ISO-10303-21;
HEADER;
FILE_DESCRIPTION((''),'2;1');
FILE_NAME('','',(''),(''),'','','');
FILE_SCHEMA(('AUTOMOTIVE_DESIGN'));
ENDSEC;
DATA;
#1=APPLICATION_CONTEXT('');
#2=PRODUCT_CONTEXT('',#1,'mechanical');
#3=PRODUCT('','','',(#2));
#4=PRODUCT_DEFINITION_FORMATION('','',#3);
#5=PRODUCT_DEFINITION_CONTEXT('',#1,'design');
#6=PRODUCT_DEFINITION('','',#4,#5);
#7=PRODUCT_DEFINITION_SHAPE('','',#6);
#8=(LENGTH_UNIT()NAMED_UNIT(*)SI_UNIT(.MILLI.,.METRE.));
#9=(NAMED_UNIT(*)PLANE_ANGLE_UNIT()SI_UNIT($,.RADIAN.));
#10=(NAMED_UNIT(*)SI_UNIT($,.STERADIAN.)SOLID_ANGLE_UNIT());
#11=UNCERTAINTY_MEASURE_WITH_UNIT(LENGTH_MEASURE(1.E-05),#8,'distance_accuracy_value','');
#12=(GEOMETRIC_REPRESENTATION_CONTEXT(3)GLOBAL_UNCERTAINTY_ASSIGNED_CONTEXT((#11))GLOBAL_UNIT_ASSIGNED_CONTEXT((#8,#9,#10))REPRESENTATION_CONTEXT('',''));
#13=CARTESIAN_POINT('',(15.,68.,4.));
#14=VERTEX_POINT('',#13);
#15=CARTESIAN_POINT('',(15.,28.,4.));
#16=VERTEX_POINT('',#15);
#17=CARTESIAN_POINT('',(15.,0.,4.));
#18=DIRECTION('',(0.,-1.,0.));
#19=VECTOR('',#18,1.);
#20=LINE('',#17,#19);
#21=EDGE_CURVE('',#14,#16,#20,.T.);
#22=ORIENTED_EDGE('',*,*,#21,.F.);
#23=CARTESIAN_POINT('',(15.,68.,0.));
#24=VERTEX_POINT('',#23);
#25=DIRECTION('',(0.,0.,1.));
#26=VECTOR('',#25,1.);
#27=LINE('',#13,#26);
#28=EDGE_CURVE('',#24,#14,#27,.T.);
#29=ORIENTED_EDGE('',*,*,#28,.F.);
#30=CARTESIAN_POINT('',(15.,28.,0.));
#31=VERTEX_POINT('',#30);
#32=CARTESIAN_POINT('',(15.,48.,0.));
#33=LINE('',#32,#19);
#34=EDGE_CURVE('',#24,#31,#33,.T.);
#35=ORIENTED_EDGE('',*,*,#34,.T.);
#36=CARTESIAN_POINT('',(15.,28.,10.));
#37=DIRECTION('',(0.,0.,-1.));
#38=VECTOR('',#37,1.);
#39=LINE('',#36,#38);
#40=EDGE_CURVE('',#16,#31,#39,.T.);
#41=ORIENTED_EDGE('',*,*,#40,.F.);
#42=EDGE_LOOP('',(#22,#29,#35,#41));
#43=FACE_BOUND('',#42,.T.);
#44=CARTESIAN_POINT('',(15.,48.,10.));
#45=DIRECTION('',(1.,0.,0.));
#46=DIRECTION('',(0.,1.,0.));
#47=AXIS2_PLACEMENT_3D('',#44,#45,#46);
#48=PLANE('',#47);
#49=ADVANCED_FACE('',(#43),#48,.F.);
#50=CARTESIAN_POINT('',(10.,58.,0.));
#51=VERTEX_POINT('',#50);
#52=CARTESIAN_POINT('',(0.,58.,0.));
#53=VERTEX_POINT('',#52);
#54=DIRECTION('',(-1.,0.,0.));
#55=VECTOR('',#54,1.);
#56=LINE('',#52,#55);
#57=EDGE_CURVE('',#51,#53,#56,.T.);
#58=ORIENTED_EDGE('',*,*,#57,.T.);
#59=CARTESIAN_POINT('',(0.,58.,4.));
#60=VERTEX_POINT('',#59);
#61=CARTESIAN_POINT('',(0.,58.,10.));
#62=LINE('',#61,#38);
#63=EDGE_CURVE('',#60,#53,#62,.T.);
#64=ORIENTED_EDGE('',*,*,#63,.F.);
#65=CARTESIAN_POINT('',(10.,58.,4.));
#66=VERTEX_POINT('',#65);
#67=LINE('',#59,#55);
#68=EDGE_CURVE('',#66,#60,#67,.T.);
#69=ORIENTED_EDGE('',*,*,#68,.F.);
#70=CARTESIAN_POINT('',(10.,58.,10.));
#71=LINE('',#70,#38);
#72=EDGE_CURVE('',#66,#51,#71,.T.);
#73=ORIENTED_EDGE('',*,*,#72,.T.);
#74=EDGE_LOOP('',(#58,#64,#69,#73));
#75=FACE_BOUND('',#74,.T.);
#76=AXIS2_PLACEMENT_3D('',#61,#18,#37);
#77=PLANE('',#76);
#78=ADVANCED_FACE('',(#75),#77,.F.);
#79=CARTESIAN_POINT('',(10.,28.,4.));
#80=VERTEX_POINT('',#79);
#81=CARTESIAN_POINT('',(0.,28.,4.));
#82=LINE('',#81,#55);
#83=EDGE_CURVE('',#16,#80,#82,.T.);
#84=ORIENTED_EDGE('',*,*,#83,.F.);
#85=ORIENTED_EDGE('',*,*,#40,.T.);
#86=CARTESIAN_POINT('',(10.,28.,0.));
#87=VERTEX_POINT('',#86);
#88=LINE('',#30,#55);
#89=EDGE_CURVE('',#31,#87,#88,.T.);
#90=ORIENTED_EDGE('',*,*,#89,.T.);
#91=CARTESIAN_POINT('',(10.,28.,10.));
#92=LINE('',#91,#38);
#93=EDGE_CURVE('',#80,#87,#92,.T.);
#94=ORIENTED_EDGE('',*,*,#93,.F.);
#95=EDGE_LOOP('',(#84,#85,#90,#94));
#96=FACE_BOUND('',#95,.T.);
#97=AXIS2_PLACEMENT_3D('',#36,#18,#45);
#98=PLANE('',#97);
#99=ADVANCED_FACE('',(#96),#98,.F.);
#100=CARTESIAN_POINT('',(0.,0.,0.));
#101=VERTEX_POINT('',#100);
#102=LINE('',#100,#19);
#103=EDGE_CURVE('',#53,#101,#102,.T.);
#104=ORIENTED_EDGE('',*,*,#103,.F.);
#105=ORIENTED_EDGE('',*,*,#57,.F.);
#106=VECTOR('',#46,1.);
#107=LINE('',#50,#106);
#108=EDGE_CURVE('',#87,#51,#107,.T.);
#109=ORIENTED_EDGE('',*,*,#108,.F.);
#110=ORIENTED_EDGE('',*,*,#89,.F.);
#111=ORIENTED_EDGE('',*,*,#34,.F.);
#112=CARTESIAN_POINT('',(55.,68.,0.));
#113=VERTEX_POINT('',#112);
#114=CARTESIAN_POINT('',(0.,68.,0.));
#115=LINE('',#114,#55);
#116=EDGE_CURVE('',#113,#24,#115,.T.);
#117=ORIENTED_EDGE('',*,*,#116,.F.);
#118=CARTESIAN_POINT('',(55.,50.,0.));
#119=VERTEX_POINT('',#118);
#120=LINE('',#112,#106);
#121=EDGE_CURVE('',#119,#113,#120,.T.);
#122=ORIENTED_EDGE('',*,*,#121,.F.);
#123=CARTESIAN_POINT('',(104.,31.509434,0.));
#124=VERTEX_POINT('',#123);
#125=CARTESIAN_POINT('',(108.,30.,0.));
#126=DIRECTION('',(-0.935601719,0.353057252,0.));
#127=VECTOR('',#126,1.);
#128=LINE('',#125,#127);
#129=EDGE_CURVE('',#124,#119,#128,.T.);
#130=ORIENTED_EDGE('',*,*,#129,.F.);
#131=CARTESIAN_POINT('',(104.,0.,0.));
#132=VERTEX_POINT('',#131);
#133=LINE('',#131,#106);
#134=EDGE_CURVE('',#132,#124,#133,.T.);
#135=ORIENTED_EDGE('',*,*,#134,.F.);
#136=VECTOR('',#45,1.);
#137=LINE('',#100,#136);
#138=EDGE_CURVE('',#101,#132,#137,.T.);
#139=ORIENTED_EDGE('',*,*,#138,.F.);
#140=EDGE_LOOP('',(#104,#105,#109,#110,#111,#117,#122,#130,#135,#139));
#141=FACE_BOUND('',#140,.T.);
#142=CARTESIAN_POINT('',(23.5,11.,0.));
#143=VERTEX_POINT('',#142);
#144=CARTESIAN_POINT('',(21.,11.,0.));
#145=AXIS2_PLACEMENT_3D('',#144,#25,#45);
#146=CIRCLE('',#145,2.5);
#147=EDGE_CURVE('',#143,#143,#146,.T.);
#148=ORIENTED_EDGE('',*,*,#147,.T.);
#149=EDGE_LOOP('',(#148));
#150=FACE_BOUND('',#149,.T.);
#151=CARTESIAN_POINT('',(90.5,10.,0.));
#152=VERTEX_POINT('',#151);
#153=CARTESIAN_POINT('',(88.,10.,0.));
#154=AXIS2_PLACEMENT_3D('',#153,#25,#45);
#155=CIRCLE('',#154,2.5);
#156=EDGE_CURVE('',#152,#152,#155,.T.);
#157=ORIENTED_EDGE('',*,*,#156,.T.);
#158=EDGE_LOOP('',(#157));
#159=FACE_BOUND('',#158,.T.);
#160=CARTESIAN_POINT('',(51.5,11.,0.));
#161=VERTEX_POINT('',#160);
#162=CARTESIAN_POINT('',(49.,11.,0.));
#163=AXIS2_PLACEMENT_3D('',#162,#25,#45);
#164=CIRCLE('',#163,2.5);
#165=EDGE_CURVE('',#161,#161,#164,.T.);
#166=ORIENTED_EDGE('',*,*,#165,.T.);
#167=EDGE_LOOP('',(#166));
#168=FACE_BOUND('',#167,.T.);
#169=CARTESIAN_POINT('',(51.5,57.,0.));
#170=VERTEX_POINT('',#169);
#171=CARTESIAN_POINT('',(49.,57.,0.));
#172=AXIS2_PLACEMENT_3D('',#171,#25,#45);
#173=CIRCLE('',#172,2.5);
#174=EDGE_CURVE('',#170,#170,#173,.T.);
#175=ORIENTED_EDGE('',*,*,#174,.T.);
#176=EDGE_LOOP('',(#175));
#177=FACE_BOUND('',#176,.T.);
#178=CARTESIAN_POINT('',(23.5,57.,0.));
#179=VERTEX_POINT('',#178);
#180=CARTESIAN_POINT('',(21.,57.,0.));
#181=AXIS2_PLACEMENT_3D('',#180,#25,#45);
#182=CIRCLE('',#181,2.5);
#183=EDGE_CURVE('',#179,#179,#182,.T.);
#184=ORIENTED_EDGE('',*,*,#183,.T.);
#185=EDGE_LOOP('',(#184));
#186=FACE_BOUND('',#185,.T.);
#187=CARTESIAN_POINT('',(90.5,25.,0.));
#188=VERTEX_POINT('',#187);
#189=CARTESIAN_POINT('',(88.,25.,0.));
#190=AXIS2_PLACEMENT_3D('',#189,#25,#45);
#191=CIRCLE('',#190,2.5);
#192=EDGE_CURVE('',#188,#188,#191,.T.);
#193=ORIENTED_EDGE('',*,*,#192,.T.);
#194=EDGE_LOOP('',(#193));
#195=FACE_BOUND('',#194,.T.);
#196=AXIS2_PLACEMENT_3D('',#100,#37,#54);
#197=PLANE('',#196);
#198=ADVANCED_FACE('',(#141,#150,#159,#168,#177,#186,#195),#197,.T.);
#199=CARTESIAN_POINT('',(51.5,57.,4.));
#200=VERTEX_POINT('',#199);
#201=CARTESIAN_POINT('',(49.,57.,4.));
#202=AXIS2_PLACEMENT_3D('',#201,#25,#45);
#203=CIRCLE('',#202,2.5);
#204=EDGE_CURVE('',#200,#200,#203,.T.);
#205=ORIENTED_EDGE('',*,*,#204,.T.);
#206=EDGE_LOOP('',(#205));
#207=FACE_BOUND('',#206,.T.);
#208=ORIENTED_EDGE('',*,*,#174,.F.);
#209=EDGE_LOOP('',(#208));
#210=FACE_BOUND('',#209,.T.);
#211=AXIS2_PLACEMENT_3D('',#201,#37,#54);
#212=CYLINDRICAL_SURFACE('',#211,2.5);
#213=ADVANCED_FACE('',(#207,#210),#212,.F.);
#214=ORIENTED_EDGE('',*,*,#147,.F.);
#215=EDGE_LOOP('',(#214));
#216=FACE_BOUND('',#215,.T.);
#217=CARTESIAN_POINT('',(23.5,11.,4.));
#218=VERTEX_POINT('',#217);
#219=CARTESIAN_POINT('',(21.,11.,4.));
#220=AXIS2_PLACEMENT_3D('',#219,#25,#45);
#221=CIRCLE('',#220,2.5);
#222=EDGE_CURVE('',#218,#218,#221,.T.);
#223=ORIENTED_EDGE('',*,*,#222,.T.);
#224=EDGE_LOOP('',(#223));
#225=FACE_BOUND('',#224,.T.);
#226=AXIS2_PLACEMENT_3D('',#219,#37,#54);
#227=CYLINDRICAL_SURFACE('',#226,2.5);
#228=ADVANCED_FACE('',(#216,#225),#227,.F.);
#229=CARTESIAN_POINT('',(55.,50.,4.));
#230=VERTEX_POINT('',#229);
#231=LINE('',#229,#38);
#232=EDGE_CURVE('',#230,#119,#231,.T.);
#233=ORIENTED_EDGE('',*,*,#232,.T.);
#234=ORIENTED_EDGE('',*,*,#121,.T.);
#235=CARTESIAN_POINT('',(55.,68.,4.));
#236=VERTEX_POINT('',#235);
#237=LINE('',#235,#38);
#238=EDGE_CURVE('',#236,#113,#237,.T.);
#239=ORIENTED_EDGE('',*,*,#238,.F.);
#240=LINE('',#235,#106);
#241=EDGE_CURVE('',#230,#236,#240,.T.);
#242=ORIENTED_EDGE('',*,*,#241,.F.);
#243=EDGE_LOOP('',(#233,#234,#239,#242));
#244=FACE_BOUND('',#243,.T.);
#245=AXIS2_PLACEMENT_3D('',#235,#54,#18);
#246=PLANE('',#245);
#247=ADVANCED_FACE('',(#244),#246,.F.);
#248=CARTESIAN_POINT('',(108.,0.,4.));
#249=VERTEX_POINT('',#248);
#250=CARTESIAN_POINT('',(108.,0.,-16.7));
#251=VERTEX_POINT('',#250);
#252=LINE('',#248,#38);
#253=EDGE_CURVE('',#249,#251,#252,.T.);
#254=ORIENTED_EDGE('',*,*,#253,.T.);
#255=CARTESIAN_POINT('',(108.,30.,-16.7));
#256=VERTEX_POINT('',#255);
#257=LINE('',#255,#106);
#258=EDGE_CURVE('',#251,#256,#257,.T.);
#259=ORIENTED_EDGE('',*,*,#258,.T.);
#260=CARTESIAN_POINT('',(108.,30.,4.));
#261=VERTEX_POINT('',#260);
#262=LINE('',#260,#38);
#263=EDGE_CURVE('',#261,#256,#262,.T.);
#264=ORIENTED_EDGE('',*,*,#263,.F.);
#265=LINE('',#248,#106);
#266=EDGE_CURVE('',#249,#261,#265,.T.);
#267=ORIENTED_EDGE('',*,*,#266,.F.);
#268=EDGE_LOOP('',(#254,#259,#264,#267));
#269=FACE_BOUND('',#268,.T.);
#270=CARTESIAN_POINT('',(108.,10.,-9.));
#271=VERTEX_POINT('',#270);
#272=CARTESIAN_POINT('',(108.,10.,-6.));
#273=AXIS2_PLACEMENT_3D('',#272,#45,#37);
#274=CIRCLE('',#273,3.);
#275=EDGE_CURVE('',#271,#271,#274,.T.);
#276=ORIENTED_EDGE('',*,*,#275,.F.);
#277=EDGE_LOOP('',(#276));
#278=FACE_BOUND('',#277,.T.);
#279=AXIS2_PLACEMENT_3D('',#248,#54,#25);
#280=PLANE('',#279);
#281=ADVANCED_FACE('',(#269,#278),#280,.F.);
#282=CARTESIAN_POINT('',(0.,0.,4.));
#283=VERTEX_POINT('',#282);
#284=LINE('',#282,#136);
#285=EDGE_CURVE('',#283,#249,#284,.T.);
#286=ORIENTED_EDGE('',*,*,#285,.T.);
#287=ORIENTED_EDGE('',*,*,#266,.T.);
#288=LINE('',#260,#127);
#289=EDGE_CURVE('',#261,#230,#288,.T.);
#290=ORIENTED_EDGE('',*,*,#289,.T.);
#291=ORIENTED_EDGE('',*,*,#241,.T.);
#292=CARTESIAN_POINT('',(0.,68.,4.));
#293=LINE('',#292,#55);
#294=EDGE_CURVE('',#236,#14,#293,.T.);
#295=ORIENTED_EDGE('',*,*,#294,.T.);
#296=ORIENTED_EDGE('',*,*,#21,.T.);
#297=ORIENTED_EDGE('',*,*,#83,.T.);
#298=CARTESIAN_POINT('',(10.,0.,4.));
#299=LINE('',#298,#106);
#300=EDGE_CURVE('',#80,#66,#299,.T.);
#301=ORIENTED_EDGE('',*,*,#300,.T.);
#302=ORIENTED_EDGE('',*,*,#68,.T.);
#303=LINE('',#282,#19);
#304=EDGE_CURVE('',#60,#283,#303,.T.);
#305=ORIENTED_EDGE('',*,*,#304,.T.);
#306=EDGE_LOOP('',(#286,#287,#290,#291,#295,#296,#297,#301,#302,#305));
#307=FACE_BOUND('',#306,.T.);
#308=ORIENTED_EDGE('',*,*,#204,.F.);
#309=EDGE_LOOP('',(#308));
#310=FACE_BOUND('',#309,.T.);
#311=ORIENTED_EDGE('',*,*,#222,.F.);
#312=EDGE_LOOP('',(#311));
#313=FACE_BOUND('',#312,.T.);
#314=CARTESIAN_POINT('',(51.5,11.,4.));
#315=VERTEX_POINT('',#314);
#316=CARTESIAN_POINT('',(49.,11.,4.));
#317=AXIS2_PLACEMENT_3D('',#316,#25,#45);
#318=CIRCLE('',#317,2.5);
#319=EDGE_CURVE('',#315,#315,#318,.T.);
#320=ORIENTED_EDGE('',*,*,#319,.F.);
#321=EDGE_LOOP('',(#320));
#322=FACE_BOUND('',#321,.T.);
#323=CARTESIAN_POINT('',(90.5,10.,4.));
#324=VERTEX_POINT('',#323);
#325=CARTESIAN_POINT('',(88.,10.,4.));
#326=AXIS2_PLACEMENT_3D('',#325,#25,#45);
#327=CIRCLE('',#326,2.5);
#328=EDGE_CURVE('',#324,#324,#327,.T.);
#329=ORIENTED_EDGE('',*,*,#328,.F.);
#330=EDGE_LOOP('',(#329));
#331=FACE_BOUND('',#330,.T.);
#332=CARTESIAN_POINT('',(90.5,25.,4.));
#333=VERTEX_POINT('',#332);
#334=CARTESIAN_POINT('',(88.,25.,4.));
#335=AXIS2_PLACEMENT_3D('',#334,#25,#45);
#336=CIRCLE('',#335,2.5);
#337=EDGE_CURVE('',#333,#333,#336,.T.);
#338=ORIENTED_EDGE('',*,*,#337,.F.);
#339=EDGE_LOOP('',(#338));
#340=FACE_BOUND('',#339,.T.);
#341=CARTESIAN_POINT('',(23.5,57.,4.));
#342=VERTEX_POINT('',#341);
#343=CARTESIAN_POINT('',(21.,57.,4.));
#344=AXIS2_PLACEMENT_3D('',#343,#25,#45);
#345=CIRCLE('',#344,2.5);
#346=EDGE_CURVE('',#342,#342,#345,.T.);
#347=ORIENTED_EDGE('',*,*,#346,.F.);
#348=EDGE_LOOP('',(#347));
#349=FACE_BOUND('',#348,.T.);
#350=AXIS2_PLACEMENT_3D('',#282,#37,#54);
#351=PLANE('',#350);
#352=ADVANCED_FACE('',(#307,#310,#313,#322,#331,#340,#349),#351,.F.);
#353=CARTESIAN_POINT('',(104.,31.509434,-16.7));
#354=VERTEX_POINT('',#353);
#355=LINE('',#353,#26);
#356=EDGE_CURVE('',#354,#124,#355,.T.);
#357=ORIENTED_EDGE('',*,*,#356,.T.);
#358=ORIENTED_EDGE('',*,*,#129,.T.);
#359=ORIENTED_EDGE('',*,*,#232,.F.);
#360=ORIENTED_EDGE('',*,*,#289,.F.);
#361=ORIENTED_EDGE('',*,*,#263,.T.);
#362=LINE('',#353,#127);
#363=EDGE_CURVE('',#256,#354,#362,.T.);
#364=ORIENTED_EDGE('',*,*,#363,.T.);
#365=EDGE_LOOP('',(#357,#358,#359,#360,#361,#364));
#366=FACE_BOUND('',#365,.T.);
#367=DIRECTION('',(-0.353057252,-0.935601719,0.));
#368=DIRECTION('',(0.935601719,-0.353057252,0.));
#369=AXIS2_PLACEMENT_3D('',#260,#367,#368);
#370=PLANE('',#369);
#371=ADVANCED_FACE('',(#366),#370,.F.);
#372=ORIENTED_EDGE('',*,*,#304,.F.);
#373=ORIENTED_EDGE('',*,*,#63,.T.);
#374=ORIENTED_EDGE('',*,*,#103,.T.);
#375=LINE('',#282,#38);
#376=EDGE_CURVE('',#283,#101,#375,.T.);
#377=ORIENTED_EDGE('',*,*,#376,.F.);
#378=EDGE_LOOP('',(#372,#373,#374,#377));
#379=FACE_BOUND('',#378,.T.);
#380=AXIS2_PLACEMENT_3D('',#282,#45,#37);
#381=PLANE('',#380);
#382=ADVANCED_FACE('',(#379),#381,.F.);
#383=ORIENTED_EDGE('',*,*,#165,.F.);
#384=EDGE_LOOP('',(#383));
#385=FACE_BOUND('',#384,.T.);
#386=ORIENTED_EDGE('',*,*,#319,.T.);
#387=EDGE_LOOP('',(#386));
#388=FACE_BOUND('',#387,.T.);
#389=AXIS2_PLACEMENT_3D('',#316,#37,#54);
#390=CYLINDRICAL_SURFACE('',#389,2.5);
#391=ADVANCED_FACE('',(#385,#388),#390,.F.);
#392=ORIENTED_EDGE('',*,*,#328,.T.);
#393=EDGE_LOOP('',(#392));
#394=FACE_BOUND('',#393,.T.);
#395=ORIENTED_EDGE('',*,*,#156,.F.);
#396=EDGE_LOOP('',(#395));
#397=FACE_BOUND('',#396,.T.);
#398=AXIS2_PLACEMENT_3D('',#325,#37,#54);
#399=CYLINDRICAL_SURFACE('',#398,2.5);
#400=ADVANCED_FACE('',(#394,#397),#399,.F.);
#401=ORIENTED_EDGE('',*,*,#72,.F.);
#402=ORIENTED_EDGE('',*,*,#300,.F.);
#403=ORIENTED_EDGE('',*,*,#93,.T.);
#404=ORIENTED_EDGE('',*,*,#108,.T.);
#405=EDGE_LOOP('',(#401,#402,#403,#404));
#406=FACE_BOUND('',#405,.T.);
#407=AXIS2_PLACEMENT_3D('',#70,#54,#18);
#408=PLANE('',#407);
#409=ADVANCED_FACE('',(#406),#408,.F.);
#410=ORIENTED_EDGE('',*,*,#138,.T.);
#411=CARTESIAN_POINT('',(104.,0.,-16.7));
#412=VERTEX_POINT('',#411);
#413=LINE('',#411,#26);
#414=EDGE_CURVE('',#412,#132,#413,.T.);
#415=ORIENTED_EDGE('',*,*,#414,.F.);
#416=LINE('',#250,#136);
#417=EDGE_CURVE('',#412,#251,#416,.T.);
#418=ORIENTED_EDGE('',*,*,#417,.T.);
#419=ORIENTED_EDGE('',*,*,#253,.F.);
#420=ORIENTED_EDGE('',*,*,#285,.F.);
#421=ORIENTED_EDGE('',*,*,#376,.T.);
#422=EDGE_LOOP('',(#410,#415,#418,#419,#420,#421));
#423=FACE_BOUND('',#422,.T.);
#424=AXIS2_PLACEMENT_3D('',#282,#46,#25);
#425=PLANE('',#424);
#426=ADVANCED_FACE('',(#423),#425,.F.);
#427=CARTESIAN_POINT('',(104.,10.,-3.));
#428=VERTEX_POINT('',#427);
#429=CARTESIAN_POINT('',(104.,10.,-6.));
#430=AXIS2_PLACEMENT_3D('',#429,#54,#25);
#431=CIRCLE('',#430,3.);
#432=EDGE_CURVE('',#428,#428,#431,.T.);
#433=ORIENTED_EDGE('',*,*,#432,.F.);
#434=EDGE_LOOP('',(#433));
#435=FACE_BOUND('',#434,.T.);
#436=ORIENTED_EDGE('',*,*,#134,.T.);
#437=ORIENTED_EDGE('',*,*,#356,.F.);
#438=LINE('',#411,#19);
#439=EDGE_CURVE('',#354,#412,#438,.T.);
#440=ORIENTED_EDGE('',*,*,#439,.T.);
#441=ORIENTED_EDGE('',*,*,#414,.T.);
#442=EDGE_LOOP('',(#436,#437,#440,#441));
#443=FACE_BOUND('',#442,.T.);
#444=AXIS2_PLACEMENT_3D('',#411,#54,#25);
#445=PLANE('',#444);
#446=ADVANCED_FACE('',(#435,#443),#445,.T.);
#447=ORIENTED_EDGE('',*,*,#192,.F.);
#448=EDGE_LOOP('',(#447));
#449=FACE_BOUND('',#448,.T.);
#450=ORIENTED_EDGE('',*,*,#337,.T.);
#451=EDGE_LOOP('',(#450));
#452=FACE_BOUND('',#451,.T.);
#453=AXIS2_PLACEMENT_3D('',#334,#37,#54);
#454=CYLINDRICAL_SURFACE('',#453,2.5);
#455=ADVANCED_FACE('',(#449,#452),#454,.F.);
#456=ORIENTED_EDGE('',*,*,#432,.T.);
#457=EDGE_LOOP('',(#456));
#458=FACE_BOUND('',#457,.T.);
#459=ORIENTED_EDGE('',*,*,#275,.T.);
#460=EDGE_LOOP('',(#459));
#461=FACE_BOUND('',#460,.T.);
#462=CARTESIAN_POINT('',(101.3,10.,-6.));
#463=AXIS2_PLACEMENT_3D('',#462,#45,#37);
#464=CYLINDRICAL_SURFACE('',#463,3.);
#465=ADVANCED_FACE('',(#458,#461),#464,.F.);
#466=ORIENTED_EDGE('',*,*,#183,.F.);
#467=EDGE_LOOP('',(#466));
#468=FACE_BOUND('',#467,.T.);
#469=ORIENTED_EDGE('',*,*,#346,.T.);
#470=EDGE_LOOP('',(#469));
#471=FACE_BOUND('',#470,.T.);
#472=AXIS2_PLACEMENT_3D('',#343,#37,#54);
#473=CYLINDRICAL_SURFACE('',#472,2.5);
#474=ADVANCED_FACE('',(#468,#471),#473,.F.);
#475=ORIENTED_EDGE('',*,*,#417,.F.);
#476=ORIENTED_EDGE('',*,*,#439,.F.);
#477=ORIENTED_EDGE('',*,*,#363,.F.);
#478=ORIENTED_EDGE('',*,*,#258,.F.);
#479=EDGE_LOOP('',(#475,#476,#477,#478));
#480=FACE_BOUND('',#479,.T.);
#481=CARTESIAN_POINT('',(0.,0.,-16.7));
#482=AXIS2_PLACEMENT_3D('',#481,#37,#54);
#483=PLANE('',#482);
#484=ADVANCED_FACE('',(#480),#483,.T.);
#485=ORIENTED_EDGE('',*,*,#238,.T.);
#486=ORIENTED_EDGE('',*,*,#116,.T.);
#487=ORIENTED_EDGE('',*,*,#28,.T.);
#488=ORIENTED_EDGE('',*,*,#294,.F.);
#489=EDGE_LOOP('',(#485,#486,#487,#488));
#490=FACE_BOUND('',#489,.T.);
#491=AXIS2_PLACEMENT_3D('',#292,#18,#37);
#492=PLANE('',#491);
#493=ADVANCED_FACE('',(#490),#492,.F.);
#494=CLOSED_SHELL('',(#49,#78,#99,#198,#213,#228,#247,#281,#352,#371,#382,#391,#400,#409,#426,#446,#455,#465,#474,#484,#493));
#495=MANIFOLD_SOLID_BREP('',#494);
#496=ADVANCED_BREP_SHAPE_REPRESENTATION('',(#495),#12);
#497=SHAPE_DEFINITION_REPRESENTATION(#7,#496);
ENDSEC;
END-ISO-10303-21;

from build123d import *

# Parameters (mm, degrees)
SKETCH_1_R          = 2.5
EXTRUDE_1_DEPTH     = 4
EXTRUDE_2_DEPTH     = 20.7
SKETCH_3_R          = 3
CUT_EXTRUDE_1_DEPTH = 6.7
CUT_EXTRUDE_2_DEPTH = 10


with BuildPart() as part:
    # Эскиз1 → Бобышка-Вытянуть1 (new body)
    with BuildSketch(Plane.XY):
        Polygon((0, 0), (108, 0), (108, 30), (55, 50), (55, 68), (0, 68), align=None)
        with Locations((21, 57)):
            Circle(SKETCH_1_R, mode=Mode.SUBTRACT)
        with Locations((49, 57)):
            Circle(SKETCH_1_R, mode=Mode.SUBTRACT)
        with Locations((21, 11)):
            Circle(SKETCH_1_R, mode=Mode.SUBTRACT)
        with Locations((49, 11)):
            Circle(SKETCH_1_R, mode=Mode.SUBTRACT)
        with Locations((88, 10)):
            Circle(SKETCH_1_R, mode=Mode.SUBTRACT)
        with Locations((88, 25)):
            Circle(SKETCH_1_R, mode=Mode.SUBTRACT)
    extrude(amount=EXTRUDE_1_DEPTH)

    # Эскиз2 → Бобышка-Вытянуть2 (add)
    with BuildSketch(Plane.XY.offset(4)):
        Polygon((108, 0), (104, 0), (104, 31.509433962), (108, 30), align=None)
    extrude(amount=-EXTRUDE_2_DEPTH)

    # Эскиз3 → Вырез-Вытянуть1 (cut)
    with BuildSketch(Plane(origin=(108, 0, 0), x_dir=(0, 0, -1), z_dir=(1, 0, 0))):
        with Locations((6, 10)):
            Circle(SKETCH_3_R)
    extrude(amount=-CUT_EXTRUDE_1_DEPTH, mode=Mode.SUBTRACT)

    # Эскиз4 → Вырез-Вытянуть2 (cut)
    with BuildSketch(Plane(origin=(0, 0, 0), x_dir=(-1, 0, 0), z_dir=(0, 0, -1))):
        Polygon((0, 68), (-15, 68), (-15, 48), (-15, 28), (-10, 28), (-10, 58), (0, 58), align=None)
    extrude(amount=-CUT_EXTRUDE_2_DEPTH, mode=Mode.SUBTRACT)


solid = part.part
